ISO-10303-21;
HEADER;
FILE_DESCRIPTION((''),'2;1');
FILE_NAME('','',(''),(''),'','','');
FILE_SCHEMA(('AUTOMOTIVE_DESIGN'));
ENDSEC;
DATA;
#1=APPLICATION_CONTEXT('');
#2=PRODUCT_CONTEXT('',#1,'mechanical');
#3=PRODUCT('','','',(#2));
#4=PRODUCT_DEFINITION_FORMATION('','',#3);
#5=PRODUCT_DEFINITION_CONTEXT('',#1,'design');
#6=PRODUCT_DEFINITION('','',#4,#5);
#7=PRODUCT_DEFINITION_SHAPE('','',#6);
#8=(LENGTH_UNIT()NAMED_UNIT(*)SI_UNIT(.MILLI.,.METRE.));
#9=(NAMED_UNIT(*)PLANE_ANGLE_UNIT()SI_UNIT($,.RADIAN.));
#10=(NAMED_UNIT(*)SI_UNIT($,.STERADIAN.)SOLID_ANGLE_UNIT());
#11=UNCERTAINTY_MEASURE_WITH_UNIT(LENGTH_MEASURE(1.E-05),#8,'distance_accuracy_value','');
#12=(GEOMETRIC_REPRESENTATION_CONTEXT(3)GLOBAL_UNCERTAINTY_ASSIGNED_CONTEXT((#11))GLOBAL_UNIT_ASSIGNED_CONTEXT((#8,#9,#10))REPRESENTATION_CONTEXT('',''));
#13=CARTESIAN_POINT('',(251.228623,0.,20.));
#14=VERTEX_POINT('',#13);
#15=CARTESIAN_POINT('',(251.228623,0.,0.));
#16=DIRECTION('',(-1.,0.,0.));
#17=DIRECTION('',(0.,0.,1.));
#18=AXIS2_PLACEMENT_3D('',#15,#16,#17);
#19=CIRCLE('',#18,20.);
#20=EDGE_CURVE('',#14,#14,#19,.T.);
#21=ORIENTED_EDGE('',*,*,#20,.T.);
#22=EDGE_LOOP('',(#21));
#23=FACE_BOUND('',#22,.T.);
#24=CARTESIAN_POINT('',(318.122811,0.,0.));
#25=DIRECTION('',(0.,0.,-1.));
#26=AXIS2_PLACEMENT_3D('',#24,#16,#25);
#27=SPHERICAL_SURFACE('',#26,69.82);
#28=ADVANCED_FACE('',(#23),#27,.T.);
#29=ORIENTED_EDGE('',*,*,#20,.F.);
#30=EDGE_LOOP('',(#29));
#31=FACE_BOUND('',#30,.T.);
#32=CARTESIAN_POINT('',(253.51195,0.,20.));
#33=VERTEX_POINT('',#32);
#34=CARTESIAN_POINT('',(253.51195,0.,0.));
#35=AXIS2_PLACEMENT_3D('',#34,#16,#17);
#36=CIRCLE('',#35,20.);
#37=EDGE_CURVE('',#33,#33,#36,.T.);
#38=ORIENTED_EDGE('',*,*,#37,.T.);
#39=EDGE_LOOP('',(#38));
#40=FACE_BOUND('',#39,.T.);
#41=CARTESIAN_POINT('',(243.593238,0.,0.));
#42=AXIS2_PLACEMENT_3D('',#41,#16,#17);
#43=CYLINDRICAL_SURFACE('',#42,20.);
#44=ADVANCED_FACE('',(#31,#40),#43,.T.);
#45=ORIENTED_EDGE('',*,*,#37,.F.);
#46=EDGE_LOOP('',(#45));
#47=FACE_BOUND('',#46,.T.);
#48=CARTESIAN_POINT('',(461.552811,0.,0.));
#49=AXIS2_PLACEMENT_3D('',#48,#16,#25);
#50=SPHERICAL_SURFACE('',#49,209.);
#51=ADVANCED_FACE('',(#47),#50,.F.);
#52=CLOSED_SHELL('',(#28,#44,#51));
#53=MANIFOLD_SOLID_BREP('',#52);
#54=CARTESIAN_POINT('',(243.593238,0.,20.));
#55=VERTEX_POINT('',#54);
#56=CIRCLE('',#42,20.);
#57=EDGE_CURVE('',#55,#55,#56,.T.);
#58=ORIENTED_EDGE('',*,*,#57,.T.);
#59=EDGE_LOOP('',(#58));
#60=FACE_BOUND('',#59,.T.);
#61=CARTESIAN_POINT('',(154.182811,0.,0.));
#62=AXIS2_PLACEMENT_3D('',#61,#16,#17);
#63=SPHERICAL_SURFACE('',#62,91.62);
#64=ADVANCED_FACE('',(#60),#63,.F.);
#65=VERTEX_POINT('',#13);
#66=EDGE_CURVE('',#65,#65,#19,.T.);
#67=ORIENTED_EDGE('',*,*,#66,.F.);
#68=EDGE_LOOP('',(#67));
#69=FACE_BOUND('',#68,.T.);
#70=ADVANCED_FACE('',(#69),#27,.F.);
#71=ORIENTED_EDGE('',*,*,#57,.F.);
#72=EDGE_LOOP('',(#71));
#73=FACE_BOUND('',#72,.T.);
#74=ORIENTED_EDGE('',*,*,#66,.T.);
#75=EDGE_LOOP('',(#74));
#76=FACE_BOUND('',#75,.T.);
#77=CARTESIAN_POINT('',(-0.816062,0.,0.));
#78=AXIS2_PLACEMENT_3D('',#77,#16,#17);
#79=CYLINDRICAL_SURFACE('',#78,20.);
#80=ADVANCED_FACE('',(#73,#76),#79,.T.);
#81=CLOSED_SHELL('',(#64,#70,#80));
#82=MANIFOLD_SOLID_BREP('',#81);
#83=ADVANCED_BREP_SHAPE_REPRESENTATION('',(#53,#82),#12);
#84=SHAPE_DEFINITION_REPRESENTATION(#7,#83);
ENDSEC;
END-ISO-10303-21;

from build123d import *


with BuildPart() as part:
    # 草图1 one side → 旋转1 (revolve)
    with BuildSketch(Plane(origin=(0, 0, 0), x_dir=(1, 0, 0), z_dir=(0, 1, 0)), mode=Mode.PRIVATE) as revolve_1_sk:
        with BuildLine():
            Line((251.228623365, 20), (243.593238138, 20))
            ThreePointArc((243.593238138, 20), (245.248742769, 10.060842587), (245.802811453, 0))
            Line((245.802811453, 0), (248.302811453, 0))
            ThreePointArc((248.302811453, 0), (249.038136552, 10.106438237), (251.228623365, 20))
        make_face()
    revolve(revolve_1_sk.sketch.rotate(Axis((-0.816062176, 0, 0), (1, 0, 0)), 180), axis=Axis((-0.816062176, 0, 0), (1, 0, 0)))  # turned: the seam where the file's is


with BuildPart() as body_2:
    # 草图2 one side → 旋转3 (revolve)
    with BuildSketch(Plane(origin=(0, 0, 0), x_dir=(1, 0, 0), z_dir=(0, 1, 0))):
        with BuildLine():
            Line((253.511950082, 20), (251.228623365, 20))
            ThreePointArc((251.228623365, 20), (249.038136552, 10.106438237), (248.302811453, 0))
            Line((248.302811453, 0), (252.552811453, 0))
            ThreePointArc((252.552811453, 0), (252.79273382, 10.011492732), (253.511950082, 20))
        make_face()
    revolve(axis=Axis((243.593238138, 0, 0), (1, 0, 0)))


solid = Compound([part.part, body_2.part])
